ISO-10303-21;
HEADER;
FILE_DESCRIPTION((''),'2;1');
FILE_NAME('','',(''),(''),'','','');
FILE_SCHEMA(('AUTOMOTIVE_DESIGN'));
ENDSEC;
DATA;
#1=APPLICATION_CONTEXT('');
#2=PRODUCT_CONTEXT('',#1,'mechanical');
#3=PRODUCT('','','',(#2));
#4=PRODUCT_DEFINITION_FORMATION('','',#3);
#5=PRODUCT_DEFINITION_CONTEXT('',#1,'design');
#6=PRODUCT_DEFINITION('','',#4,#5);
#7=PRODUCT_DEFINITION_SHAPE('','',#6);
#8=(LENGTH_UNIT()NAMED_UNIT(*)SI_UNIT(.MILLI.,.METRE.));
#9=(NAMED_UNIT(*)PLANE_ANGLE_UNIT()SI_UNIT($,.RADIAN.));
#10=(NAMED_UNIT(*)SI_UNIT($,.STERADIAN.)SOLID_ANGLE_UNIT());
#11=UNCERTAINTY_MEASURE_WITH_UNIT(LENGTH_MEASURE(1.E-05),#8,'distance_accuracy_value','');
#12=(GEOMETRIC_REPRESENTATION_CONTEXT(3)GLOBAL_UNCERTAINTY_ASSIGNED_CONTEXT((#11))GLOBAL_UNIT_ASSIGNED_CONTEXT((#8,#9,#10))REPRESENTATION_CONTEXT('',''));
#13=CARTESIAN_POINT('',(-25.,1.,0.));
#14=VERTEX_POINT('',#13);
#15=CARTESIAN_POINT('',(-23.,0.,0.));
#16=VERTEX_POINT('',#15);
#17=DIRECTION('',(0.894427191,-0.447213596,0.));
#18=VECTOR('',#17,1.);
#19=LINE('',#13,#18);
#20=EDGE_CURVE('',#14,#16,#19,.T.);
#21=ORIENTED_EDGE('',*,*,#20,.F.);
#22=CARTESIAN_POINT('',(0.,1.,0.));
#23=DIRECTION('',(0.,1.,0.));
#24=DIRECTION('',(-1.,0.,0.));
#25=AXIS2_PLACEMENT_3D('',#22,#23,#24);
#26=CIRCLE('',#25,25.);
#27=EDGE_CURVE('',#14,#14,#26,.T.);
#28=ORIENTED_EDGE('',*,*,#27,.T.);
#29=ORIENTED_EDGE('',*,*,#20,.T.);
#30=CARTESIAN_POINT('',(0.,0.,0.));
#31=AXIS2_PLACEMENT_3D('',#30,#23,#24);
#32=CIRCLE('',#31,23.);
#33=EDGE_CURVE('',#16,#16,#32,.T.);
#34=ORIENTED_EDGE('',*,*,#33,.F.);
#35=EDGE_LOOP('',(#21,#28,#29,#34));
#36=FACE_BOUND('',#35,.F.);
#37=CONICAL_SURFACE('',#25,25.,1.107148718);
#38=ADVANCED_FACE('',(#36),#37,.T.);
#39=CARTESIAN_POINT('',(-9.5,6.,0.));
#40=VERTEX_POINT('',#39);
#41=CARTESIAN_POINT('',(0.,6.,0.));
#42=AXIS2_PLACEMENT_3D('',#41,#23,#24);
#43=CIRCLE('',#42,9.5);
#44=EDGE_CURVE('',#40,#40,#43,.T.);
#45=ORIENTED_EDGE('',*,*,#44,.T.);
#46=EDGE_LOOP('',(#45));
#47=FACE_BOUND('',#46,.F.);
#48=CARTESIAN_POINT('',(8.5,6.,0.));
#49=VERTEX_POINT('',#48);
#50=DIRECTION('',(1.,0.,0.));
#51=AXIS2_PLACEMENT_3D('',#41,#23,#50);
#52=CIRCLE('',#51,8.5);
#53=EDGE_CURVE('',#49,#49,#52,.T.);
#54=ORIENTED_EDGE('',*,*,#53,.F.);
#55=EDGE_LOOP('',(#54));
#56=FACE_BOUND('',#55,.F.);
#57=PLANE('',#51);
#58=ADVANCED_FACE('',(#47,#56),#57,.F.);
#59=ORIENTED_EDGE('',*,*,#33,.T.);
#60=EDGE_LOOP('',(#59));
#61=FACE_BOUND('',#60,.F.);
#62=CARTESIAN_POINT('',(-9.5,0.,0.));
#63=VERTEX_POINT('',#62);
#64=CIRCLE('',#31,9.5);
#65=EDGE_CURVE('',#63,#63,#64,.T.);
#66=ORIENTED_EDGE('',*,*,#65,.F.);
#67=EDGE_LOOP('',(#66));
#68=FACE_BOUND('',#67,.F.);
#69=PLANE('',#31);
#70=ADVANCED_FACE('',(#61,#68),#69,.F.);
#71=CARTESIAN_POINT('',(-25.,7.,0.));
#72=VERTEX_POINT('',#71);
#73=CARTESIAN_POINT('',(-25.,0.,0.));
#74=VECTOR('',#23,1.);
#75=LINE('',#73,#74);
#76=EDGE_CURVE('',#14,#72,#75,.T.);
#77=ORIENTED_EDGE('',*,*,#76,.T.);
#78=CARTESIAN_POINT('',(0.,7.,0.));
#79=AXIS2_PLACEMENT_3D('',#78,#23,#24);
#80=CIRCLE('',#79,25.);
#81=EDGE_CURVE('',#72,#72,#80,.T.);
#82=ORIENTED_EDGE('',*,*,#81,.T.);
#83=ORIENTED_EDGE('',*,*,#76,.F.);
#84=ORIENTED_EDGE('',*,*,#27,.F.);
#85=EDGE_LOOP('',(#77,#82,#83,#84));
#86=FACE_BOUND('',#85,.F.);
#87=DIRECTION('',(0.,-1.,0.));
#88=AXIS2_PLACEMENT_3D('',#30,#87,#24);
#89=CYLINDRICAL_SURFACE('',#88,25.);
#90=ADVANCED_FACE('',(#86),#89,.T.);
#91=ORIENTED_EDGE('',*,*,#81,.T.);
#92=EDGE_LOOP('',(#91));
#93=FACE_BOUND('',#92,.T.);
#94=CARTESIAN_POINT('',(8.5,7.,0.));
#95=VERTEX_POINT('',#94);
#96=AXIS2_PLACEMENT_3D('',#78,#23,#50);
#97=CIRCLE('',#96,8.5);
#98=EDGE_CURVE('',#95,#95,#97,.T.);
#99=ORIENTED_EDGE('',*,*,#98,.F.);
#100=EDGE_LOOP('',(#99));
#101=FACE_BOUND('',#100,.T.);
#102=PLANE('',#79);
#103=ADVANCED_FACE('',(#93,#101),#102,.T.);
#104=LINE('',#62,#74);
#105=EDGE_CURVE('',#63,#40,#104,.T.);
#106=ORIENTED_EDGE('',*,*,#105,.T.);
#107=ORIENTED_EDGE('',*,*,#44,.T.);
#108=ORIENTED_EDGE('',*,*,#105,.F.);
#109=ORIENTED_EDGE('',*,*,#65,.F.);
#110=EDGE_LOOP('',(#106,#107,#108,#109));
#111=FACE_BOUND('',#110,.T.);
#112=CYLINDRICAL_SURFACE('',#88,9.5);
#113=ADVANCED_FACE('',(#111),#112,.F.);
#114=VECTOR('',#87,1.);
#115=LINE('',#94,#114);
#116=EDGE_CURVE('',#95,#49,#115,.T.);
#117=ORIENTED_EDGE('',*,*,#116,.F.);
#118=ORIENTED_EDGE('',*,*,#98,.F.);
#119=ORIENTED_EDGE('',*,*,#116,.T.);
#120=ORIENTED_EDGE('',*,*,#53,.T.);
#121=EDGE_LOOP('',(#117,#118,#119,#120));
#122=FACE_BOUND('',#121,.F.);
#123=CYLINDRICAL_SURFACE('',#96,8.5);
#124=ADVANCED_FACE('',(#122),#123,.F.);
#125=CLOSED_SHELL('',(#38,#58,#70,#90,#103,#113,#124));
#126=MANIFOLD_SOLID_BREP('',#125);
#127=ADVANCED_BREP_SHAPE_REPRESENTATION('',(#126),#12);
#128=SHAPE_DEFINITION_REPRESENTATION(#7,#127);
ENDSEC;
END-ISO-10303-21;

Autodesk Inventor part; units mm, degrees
ref_plane "YZ Plane" through (0, 0, 0) normal (1, 0, 0) x (0, 1, 0)
ref_plane "XZ Plane" through (0, 0, 0) normal (0, 1, 0) x (-1, 0, 0)
ref_plane "XY Plane" through (0, 0, 0) normal (0, 0, 1) x (1, 0, 0)
sketch "Szkic1" plane through (0, 0, 0) normal (0, 1, 0) x (-1, 0, 0)
  circle A0 centre (0, 0) radius 9.5
  circle A1 centre (0, 0) radius 25
  dimension "d0" = 19
  dimension "d3" = 50
extrude "Wyciągnięcie proste1" add sketch "Szkic1" along normal blind 7
sketch "Szkic2" plane through (0, 7, 0) normal (0, 1, 0) x (1, 0, 0)
  circle A0 centre (0, 0) radius 9.5
  circle A1 centre (0, 0) radius 8.5
  dimension "d4" = 19
  dimension "d5" = 17
extrude "Wyciągnięcie proste2" add sketch "Szkic2" against normal blind 1
chamfer "Faza1" distance 1 distance2 2 1 edges at (25, 0, 0) measured on face at (-24.9189, 4.6667, -2.0117)
properties part number "opona_nosne" material "Aluminum 6061"
